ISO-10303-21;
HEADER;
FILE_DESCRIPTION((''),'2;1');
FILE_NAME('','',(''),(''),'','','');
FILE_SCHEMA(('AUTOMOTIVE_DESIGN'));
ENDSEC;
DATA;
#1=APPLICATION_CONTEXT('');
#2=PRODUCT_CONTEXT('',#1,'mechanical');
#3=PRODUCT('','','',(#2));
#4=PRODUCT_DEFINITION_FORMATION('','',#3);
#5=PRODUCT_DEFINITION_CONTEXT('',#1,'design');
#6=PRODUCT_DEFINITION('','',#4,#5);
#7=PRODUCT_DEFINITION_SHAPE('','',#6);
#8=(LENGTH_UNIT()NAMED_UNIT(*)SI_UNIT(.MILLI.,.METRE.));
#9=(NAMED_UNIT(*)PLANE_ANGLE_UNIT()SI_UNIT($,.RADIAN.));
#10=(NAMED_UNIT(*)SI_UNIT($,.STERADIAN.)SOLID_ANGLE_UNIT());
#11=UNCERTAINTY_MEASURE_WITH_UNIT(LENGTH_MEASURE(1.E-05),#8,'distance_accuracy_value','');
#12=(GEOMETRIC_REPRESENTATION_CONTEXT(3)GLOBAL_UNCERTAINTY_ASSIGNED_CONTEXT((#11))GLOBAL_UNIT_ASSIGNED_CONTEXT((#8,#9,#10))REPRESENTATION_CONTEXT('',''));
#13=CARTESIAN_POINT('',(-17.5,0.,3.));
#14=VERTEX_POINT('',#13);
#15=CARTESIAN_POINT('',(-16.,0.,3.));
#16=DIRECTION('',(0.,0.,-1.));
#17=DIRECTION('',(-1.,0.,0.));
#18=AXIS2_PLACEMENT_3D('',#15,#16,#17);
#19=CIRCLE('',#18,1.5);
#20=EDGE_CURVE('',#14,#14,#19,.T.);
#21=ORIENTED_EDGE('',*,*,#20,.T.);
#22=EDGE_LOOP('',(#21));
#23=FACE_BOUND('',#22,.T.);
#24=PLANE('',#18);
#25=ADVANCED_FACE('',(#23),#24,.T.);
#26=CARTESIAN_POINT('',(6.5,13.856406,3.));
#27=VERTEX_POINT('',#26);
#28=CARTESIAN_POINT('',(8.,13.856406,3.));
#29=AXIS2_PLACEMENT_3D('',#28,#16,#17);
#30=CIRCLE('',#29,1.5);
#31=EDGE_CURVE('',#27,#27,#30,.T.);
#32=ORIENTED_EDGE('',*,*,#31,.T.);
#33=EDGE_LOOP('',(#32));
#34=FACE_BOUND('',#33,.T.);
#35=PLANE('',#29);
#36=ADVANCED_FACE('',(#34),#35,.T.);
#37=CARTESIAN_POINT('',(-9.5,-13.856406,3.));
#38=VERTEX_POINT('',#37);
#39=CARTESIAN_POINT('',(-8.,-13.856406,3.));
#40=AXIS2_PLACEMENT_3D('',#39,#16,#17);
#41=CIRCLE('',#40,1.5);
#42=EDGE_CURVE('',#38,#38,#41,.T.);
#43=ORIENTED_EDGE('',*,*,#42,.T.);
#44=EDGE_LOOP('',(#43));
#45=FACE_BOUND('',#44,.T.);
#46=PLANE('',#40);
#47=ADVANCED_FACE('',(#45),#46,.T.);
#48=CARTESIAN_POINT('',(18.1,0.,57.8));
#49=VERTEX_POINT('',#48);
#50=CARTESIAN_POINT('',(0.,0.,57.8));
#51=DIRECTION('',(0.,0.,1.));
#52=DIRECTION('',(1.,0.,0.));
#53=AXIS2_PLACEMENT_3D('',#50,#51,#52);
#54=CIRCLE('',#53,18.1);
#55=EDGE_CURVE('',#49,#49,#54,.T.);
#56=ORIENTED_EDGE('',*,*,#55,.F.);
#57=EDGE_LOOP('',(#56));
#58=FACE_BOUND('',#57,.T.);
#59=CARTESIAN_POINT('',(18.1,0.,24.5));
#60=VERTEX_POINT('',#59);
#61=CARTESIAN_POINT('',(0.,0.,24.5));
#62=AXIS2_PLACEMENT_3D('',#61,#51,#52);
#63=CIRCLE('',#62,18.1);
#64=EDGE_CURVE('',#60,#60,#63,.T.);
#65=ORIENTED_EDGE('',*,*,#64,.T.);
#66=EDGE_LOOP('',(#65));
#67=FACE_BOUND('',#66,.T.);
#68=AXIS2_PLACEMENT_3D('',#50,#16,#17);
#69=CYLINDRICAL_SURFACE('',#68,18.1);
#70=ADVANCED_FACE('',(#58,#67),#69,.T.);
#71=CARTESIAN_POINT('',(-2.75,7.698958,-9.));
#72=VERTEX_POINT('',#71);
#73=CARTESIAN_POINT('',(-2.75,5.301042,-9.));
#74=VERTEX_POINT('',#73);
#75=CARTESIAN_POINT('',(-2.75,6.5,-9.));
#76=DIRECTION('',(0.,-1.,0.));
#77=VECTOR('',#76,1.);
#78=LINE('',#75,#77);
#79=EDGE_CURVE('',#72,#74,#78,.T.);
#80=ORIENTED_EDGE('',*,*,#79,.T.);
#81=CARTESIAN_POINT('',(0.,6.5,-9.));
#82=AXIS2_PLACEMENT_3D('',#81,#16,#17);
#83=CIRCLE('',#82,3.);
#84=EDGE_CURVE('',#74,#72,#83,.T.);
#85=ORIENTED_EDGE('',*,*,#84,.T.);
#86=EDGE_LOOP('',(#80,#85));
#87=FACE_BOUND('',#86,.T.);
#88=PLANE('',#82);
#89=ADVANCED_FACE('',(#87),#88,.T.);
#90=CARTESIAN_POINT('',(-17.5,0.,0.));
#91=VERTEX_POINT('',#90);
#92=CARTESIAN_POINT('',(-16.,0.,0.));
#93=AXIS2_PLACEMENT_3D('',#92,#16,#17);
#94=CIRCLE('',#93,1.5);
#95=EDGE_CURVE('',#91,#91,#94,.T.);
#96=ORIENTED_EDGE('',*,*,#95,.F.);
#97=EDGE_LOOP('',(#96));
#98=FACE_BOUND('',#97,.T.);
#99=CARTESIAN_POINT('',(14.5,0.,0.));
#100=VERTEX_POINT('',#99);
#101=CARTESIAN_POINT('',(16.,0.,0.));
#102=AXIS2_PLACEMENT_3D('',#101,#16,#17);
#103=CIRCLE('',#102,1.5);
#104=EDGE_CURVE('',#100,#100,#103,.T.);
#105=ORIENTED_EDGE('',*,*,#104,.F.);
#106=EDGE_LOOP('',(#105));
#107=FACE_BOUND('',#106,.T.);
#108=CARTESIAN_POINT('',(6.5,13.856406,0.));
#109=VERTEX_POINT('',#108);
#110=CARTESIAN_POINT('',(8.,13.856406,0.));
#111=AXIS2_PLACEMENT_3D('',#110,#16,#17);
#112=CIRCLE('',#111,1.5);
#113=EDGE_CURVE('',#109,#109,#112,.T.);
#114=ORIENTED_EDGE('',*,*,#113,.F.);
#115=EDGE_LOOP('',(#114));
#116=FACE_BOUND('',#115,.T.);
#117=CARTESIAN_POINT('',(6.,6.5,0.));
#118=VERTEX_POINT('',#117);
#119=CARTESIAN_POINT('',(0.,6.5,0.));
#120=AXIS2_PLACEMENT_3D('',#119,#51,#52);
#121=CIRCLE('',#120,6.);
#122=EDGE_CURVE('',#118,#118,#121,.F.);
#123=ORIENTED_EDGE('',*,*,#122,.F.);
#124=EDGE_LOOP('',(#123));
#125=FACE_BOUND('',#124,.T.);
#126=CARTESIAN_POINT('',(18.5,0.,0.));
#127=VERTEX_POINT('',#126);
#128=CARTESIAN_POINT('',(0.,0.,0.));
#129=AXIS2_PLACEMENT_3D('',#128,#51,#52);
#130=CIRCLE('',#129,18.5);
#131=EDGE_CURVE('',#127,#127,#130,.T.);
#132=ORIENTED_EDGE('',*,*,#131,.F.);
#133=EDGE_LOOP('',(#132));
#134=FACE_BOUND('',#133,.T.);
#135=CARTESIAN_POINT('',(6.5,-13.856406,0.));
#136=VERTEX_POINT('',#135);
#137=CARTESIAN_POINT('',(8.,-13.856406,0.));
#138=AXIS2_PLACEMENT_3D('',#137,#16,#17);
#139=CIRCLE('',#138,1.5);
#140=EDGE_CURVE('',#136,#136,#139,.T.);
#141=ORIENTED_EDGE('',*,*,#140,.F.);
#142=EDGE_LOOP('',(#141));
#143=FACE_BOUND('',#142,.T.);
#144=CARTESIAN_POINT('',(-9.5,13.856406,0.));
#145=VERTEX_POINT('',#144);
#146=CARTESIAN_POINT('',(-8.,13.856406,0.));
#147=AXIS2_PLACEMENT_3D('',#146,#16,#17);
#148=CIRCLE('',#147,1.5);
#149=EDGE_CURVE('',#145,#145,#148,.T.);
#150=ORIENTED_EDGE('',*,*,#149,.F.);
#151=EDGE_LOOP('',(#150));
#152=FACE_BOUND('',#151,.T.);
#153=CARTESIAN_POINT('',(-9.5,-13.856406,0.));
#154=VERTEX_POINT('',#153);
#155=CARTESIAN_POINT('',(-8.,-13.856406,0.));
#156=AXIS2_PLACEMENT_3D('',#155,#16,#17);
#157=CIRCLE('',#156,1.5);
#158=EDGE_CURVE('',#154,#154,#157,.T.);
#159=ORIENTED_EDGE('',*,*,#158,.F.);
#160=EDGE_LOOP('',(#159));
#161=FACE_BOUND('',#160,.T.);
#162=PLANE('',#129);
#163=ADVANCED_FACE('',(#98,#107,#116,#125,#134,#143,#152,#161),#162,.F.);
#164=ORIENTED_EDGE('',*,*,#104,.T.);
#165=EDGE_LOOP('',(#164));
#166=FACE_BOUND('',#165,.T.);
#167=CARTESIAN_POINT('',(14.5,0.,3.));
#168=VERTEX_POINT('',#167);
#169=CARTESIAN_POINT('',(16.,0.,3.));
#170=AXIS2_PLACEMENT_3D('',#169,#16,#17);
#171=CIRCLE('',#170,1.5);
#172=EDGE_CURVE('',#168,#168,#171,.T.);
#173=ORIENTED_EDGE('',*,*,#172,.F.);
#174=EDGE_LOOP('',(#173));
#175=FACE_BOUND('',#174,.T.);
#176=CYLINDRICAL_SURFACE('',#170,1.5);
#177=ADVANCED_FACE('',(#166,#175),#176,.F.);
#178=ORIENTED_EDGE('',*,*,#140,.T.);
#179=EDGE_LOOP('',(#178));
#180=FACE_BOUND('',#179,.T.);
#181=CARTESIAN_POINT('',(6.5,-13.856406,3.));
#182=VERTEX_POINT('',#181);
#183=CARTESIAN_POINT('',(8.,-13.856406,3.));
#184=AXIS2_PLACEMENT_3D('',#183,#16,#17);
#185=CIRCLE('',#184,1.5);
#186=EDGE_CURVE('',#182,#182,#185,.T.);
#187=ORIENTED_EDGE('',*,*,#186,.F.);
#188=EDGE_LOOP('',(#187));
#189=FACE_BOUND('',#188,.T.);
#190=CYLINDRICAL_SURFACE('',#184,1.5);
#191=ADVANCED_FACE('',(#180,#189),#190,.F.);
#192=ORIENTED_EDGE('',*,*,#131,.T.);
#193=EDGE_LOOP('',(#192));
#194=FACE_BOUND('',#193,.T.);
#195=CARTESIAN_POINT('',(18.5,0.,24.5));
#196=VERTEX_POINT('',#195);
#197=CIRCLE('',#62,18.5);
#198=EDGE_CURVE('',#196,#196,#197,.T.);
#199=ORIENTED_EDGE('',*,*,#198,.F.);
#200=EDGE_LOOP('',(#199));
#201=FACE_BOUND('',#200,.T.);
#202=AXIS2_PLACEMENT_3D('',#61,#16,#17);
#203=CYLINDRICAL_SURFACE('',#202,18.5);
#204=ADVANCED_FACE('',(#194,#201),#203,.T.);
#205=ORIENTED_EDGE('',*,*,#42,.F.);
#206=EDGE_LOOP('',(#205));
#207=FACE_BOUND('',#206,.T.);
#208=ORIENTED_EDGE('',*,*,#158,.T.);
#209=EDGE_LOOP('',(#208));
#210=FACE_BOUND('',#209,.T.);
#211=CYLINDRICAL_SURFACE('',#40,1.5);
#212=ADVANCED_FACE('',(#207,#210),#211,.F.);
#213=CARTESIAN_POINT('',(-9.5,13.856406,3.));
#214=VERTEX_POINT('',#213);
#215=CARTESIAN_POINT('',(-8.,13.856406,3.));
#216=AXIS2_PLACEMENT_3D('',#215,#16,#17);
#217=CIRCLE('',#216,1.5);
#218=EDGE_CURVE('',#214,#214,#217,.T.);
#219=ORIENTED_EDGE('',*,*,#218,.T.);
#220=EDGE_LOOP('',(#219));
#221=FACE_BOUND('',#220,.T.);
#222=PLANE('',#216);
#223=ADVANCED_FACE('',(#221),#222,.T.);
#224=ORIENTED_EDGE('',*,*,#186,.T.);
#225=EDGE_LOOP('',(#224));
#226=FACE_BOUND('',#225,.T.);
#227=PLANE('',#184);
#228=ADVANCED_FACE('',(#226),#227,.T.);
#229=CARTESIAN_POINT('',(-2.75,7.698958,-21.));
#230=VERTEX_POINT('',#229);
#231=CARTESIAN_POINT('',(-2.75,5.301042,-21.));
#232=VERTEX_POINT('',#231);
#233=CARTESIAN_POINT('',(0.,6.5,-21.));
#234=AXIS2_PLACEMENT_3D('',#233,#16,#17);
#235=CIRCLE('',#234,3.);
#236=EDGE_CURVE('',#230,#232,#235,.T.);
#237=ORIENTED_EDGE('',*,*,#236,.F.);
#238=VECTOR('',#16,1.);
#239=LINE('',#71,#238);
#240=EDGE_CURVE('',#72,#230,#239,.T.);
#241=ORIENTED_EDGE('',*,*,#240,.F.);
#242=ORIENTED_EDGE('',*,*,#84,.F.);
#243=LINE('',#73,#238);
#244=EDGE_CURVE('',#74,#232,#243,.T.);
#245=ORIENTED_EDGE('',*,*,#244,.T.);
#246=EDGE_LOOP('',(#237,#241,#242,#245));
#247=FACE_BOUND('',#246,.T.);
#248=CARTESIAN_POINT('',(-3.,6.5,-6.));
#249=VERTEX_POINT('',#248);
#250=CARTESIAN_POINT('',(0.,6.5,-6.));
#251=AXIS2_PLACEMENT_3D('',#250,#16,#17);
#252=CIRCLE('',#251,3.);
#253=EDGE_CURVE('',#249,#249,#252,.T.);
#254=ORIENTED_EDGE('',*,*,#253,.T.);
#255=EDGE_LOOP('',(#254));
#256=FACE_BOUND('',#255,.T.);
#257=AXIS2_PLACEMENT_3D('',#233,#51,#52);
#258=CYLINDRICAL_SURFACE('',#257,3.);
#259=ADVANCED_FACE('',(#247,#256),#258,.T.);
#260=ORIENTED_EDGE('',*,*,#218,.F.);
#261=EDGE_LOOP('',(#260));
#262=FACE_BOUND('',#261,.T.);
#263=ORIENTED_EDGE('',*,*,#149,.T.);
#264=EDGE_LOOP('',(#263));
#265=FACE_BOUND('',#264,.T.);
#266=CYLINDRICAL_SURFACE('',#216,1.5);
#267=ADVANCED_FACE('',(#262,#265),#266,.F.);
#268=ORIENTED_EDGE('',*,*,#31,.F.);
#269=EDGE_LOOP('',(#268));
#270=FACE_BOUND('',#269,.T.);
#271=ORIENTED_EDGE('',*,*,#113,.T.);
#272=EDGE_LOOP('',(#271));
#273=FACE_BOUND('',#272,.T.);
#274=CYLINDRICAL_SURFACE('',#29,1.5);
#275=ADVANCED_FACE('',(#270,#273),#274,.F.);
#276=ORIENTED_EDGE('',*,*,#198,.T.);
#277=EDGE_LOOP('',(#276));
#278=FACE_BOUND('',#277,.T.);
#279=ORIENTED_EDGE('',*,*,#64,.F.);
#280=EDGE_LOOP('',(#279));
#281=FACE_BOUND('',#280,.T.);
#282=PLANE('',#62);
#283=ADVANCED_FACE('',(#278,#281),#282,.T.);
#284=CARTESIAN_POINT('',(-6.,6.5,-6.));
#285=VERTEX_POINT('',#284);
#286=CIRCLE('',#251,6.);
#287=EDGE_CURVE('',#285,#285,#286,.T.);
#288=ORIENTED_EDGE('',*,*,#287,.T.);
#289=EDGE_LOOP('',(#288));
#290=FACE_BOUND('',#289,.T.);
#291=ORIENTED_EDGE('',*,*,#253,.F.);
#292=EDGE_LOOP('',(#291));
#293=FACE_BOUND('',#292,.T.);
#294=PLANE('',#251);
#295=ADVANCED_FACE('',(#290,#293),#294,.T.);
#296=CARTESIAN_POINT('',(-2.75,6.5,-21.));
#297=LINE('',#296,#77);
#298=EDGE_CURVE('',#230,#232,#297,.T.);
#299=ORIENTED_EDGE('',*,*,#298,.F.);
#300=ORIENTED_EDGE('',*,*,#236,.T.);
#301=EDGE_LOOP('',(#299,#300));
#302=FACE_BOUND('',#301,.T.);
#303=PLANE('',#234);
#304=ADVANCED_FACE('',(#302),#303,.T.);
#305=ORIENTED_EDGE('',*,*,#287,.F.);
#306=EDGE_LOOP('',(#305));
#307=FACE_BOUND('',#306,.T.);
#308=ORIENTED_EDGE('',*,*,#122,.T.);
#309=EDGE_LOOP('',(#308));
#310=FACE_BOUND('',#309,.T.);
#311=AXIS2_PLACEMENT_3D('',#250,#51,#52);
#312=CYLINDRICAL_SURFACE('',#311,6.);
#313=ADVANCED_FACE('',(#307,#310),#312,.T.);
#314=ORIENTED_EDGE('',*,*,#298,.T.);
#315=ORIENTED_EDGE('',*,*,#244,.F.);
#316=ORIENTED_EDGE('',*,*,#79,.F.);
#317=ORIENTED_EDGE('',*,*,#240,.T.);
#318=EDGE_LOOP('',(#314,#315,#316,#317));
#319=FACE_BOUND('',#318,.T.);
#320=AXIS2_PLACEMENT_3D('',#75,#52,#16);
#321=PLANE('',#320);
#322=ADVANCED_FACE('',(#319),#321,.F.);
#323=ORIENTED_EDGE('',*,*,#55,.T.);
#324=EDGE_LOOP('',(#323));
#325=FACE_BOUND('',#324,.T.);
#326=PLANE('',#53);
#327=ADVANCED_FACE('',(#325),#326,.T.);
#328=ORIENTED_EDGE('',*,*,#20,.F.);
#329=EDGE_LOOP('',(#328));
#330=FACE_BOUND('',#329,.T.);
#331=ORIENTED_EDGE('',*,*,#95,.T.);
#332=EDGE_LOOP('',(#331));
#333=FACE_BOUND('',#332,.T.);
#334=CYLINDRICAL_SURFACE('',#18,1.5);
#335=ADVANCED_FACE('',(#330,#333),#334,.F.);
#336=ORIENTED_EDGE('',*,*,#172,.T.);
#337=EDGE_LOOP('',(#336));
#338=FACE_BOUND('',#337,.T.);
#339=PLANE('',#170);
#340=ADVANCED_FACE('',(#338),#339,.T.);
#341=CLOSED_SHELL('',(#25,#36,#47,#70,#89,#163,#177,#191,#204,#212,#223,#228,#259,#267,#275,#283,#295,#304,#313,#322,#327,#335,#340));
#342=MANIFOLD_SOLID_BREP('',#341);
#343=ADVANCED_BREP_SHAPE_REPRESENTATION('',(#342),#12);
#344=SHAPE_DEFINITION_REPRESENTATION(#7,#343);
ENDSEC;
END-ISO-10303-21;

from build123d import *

# Parameters (mm, degrees)
SKETCH1_R           = 18.5
BOSS_EXTRUDE1_DEPTH = 24.5
SKETCH2_R           = 18.1
BOSS_EXTRUDE2_DEPTH = 33.3
SKETCH4_R           = 6
BOSS_EXTRUDE3_DEPTH = 6
SKETCH5_R           = 3
BOSS_EXTRUDE4_DEPTH = 15
CUT_EXTRUDE1_DEPTH  = 12
FACE_DIAMENTIONS_R  = 1.5
CUT_EXTRUDE3_DEPTH  = 3


with BuildPart() as part:
    # Sketch1 → Boss-Extrude1 (new body)
    with BuildSketch(Plane.XY):
        Circle(SKETCH1_R)
    extrude(amount=BOSS_EXTRUDE1_DEPTH)

    # Sketch2 → Boss-Extrude2 (add)
    with BuildSketch(Plane.XY.offset(24.5)):
        Circle(SKETCH2_R)
    extrude(amount=BOSS_EXTRUDE2_DEPTH)

    # Sketch4 → Boss-Extrude3 (add)
    with BuildSketch(Plane(origin=(0, 0, 0), x_dir=(-1, 0, 0), z_dir=(0, 0, -1))):
        with Locations((0, 6.5)):
            Circle(SKETCH4_R)
    extrude(amount=BOSS_EXTRUDE3_DEPTH)

    # Sketch5 → Boss-Extrude4 (add)
    with BuildSketch(Plane(origin=(0, 0, -6), x_dir=(-1, 0, 0), z_dir=(0, 0, -1))):
        with Locations((0, 6.5)):
            Circle(SKETCH5_R)
    extrude(amount=BOSS_EXTRUDE4_DEPTH)

    # Sketch6 → Cut-Extrude1 (cut)
    with BuildSketch(Plane(origin=(0, 0, -21), x_dir=(-1, 0, 0), z_dir=(0, 0, -1))):
        with BuildLine():
            Line((2.75, 6.5), (2.75, 5.301042119))
            ThreePointArc((2.75, 5.301042119), (3, 6.5), (2.75, 7.698957881))
            Line((2.75, 7.698957881), (2.75, 6.5))
        make_face()
    extrude(amount=-CUT_EXTRUDE1_DEPTH, mode=Mode.SUBTRACT)

    # face diamentions → Cut-Extrude3 (cut)
    with BuildSketch(Plane(origin=(0, 0, 0), x_dir=(-1, 0, 0), z_dir=(0, 0, -1))):
        with Locations((-16, 0)):
            Circle(FACE_DIAMENTIONS_R)
        with Locations((8, 13.856406461)):
            Circle(FACE_DIAMENTIONS_R)
        with Locations((8, -13.856406461)):
            Circle(FACE_DIAMENTIONS_R)
        with Locations((16, 0)):
            Circle(FACE_DIAMENTIONS_R)
        with Locations((-8, -13.856406461)):
            Circle(FACE_DIAMENTIONS_R)
        with Locations((-8, 13.856406461)):
            Circle(FACE_DIAMENTIONS_R)
    extrude(amount=-CUT_EXTRUDE3_DEPTH, mode=Mode.SUBTRACT)


solid = part.part
